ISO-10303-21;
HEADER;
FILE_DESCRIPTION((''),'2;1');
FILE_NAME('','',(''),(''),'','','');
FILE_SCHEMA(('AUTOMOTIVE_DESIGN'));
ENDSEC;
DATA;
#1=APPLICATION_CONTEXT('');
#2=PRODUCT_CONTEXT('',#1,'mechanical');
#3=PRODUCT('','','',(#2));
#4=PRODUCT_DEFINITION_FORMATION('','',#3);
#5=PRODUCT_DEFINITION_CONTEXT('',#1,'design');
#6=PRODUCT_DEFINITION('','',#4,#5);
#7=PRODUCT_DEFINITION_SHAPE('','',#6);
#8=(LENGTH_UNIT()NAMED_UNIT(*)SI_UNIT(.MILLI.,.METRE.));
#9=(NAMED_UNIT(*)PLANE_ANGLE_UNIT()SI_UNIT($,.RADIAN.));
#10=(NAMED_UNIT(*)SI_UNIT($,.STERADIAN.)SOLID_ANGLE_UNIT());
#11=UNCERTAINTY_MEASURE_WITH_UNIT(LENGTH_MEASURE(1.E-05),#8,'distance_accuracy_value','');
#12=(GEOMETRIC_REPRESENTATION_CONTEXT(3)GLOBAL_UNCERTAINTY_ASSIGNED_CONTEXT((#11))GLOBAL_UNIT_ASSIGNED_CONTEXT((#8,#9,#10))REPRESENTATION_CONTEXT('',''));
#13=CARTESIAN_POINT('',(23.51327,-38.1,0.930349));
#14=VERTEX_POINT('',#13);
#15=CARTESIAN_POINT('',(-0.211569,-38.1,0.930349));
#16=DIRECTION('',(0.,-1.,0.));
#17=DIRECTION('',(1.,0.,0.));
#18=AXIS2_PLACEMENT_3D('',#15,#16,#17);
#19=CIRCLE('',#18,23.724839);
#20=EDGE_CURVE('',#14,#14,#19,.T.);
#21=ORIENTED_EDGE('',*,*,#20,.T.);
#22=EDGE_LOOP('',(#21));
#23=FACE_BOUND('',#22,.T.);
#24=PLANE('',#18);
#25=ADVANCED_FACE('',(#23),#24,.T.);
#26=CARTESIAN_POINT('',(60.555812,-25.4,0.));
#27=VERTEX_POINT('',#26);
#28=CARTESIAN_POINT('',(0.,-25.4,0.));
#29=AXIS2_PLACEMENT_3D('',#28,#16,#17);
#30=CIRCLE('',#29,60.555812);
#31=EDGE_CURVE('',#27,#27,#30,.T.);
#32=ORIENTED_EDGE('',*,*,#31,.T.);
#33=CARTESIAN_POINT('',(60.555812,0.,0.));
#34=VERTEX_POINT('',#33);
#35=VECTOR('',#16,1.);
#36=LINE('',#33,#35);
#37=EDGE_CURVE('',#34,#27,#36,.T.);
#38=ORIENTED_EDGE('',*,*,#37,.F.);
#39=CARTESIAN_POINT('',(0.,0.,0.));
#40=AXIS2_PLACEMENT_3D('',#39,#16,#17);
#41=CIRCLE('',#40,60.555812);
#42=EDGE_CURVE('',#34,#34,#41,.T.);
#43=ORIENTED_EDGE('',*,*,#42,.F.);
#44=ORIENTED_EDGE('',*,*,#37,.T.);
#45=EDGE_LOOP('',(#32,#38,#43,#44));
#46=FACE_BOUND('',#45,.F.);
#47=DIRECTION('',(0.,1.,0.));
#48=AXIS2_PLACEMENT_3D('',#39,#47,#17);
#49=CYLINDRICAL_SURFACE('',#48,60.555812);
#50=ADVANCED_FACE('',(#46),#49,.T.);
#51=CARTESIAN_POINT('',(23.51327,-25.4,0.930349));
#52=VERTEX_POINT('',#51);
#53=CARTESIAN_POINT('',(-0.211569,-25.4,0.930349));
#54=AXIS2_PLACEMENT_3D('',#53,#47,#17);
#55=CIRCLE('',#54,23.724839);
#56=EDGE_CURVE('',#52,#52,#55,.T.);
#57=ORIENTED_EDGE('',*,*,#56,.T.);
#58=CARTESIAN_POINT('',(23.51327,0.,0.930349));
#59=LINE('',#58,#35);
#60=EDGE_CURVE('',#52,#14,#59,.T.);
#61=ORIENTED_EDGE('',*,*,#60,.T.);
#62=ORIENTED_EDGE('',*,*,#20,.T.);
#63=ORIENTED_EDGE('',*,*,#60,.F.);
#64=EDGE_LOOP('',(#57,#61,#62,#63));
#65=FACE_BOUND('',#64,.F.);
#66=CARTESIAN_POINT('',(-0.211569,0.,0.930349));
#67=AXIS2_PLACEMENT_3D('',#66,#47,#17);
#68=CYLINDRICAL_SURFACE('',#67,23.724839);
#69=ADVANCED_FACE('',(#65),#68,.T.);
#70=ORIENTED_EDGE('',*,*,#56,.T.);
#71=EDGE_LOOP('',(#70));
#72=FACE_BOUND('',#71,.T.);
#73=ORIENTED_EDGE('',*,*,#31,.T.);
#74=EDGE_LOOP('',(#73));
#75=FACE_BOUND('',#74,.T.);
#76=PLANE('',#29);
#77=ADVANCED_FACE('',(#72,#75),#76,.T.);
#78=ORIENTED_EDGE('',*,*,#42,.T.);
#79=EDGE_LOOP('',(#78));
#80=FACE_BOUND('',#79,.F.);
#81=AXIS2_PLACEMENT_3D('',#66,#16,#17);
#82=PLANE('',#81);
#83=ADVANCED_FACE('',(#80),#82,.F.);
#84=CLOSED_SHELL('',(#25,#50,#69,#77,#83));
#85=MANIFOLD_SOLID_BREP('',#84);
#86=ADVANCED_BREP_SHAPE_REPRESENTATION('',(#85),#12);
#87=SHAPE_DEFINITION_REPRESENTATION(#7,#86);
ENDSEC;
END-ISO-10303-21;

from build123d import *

# Parameters (mm, degrees)
F0_R     = 60.555812
F1_DEPTH = 25.4
F2_R     = 23.724839
F3_DEPTH = 38.1


with BuildPart() as f1:
    # F0 (on Front) → F1 (new body)
    with BuildSketch(Plane.XZ):
        Circle(F0_R)
    extrude(amount=F1_DEPTH)

    # F2 (on Front) → F3 (join)
    with BuildSketch(Plane.XZ):
        with Locations((-0.211569, 0.930349)):
            Circle(F2_R)
    extrude(amount=F3_DEPTH)


solid = f1.part
